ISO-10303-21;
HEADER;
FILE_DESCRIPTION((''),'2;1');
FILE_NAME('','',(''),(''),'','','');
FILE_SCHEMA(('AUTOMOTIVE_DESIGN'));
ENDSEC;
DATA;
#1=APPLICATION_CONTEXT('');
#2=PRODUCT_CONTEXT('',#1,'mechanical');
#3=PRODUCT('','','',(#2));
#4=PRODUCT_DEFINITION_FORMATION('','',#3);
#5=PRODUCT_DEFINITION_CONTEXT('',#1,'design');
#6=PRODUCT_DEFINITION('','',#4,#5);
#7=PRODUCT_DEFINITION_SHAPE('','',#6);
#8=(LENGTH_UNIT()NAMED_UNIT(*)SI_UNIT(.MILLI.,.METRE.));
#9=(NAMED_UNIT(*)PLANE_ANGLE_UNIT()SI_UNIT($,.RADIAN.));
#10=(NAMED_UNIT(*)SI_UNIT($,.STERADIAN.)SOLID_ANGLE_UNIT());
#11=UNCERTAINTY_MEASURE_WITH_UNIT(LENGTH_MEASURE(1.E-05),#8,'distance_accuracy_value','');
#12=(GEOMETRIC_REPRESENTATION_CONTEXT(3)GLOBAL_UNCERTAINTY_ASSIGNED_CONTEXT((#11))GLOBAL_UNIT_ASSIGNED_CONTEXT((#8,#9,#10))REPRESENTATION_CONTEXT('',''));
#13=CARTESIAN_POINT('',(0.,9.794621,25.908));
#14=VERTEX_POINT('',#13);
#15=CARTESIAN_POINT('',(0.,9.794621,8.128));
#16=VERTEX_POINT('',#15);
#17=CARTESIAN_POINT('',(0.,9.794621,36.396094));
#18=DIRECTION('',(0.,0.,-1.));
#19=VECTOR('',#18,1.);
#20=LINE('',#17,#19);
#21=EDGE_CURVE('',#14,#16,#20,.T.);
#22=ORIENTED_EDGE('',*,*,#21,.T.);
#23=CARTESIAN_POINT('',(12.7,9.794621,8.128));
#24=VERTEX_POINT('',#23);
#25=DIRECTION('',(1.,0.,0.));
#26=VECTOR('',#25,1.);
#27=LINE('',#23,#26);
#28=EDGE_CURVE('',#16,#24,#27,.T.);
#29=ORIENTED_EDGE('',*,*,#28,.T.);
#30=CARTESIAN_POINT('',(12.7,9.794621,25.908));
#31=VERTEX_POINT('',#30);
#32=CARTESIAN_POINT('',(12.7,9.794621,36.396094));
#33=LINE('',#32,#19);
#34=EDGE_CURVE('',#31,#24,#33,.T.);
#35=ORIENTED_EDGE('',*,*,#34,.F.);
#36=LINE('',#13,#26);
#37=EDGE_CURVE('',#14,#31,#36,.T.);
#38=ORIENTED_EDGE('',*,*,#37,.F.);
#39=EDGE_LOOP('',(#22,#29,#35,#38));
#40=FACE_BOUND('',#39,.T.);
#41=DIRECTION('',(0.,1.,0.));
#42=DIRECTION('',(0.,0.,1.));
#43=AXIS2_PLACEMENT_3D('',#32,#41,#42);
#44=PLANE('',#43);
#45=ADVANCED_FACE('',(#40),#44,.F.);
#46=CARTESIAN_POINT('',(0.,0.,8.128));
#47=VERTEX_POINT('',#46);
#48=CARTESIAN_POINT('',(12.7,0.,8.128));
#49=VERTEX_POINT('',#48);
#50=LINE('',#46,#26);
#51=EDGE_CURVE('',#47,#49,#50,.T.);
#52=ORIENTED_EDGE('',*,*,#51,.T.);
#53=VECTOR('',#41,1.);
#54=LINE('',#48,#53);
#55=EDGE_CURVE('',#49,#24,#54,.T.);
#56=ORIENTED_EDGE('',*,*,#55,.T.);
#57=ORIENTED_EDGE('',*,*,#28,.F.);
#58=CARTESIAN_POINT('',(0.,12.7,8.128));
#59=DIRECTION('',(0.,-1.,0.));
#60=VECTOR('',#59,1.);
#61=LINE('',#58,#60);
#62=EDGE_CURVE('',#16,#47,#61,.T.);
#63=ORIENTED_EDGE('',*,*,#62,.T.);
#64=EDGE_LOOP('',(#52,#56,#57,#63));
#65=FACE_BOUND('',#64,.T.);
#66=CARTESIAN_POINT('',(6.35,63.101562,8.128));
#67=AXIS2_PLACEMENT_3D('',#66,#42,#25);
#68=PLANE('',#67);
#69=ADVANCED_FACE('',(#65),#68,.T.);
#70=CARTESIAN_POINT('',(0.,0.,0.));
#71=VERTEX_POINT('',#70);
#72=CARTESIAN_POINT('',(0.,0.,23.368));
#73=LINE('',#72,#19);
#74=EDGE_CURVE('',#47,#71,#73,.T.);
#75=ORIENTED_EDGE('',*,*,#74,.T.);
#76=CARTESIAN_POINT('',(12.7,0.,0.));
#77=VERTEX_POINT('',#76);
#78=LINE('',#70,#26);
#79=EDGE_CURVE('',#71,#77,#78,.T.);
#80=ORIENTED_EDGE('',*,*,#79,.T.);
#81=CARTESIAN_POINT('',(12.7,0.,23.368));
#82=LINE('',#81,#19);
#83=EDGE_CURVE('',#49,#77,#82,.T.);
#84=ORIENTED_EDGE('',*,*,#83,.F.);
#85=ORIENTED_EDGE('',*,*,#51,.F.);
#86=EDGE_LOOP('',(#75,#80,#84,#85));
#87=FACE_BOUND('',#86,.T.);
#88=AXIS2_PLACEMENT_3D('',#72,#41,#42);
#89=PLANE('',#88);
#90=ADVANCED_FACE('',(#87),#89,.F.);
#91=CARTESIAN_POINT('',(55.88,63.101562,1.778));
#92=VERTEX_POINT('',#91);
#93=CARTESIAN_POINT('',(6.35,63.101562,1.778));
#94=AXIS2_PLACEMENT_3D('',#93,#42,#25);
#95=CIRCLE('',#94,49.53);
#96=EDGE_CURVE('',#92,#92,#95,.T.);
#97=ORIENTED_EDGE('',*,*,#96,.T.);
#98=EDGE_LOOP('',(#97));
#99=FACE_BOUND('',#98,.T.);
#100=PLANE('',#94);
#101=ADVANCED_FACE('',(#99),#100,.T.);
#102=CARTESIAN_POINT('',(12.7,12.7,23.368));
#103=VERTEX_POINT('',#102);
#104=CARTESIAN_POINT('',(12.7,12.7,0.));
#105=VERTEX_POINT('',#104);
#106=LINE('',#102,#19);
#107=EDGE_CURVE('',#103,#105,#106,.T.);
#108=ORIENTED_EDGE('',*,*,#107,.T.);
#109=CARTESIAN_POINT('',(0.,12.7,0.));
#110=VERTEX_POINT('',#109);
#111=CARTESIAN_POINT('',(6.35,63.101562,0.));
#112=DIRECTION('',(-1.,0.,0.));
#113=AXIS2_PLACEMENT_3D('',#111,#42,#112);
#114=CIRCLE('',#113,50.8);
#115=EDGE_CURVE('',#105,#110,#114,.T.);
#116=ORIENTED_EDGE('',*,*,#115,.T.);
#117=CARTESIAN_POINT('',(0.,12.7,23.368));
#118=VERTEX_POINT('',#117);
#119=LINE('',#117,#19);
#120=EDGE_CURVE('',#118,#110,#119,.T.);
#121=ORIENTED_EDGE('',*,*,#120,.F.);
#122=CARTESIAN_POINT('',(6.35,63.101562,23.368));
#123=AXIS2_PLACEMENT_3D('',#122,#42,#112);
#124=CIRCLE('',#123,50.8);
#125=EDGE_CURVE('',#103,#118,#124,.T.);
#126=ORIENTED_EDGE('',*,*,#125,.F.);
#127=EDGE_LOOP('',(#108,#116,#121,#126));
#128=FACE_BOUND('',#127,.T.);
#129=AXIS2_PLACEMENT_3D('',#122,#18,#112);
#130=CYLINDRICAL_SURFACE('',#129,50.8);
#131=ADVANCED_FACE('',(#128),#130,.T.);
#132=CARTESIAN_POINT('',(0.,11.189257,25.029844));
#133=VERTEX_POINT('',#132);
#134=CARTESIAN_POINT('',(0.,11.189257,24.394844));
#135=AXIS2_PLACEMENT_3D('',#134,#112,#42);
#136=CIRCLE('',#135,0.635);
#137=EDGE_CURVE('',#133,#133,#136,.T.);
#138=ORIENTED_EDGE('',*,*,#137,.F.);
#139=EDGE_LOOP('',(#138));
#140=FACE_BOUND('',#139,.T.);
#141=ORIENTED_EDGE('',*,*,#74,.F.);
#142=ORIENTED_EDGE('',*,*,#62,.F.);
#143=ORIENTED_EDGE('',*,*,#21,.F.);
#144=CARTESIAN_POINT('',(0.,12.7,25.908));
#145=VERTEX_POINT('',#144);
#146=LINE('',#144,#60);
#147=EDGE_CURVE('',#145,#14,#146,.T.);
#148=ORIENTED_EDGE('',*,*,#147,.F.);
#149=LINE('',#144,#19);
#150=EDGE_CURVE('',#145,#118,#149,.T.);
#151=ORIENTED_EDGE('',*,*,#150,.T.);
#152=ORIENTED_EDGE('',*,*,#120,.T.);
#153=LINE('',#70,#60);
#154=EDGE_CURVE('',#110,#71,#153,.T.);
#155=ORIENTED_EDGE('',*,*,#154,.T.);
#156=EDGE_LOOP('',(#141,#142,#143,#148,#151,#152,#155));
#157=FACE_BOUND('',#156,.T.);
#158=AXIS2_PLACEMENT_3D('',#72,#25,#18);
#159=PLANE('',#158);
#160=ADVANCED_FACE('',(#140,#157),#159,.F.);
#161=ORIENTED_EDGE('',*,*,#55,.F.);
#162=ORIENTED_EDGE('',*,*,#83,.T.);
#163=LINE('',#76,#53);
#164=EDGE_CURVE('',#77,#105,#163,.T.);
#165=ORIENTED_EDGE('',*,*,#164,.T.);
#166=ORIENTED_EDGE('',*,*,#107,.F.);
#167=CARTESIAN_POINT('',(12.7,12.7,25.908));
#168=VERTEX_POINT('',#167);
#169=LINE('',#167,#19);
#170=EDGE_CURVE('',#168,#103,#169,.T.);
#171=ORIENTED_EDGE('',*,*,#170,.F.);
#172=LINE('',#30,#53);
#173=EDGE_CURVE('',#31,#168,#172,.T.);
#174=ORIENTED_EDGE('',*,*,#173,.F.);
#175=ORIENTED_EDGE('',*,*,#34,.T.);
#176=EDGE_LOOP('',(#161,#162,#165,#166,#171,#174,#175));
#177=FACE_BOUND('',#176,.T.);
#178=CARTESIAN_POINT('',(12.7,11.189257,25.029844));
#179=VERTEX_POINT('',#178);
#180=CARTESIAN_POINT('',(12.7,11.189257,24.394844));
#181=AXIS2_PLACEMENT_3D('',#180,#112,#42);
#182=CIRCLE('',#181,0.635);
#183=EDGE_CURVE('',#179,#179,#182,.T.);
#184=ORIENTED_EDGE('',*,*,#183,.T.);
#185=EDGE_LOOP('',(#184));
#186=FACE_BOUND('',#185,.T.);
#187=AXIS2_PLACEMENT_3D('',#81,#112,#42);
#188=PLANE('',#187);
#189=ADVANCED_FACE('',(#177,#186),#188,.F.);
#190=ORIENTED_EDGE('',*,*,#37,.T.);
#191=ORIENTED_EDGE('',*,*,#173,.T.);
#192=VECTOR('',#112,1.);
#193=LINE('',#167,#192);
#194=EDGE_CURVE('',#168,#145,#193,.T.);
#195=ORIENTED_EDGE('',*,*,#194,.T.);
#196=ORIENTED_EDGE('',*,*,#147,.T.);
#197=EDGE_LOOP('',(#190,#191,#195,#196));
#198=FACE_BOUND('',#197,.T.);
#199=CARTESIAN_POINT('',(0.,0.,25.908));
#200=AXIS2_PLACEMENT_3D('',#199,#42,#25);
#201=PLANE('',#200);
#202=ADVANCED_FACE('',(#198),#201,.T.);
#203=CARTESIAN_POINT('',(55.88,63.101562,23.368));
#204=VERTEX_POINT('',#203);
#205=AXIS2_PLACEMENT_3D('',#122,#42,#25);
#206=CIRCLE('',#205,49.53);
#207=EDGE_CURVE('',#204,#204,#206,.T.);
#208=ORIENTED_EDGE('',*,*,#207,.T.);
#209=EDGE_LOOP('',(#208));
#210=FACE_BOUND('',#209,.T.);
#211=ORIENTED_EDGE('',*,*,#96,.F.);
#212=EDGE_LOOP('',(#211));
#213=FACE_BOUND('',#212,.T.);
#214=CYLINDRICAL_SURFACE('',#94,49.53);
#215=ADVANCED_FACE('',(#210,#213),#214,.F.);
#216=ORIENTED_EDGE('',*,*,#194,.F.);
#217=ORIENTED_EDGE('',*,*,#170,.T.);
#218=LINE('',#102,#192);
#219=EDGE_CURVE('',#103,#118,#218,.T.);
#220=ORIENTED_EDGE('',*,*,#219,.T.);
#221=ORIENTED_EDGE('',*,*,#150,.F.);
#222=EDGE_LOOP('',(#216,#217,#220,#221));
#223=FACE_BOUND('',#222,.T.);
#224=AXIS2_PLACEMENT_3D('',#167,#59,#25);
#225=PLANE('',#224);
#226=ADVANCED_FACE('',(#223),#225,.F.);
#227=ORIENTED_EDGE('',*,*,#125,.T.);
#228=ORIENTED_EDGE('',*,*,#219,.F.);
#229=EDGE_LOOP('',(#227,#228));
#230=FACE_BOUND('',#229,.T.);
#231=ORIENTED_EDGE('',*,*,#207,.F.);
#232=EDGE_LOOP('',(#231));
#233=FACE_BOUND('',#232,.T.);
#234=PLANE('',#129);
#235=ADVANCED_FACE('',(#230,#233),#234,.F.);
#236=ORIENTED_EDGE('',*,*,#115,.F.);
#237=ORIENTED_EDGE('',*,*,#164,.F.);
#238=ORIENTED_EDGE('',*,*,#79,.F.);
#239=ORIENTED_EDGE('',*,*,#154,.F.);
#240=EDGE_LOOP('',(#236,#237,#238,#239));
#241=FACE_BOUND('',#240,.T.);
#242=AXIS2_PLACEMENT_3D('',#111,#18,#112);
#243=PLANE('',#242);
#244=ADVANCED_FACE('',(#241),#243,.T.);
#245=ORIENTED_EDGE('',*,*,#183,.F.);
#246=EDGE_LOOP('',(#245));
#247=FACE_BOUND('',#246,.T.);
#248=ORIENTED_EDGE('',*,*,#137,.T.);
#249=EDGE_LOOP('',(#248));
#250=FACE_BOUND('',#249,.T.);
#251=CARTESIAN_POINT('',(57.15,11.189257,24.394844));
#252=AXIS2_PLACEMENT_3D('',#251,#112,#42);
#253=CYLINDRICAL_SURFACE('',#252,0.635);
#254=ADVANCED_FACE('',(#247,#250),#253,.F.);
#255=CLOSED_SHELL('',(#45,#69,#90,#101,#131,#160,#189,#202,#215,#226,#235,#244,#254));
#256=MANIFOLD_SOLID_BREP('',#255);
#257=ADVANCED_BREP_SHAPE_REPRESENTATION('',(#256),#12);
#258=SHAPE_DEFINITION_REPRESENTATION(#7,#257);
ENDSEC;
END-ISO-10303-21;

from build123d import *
from build123d.topology import SkipClean

# Parameters (mm, degrees)
BOSS_EXTRUDE1_DEPTH = 23.368
SKETCH4_R           = 49.53
CUT_EXTRUDE1_DEPTH  = 21.59
CUT_EXTRUDE2_START  = -15.24
CUT_EXTRUDE2_DEPTH  = 15.24
BOSS_EXTRUDE2_DEPTH = 15.24
SKETCH8_W           = 12.7
SKETCH8_H           = 2.905378661
BOSS_EXTRUDE3_DEPTH = 2.54
SKETCH9_R           = 0.635
CUT_EXTRUDE4_DEPTH  = 131.041965913


with BuildPart() as part:
    # Sketch1 → Boss-Extrude1 (new body)
    with BuildSketch(Plane.XY):
        with BuildLine():
            Line((0, 0), (12.7, 0))
            Line((12.7, 0), (12.7, 12.7))
            ThreePointArc((12.7, 12.7), (6.35, 113.901562476), (0, 12.7))
            Line((0, 12.7), (0, 0))
        make_face()
    extrude(amount=BOSS_EXTRUDE1_DEPTH)

    # Sketch4 → Cut-Extrude1 (cut)
    with BuildSketch(Plane.XY.offset(23.368)):
        with Locations((6.35, 63.101562476)):
            Circle(SKETCH4_R)
    extrude(amount=-CUT_EXTRUDE1_DEPTH, mode=Mode.SUBTRACT)

    # Sketch5 → Cut-Extrude2 (cut)
    with SkipClean():  # the faces are left unmerged after this step: merging them gives an invalid solid
        with BuildSketch(Plane.XY.offset(23.368).offset(CUT_EXTRUDE2_START)):
            with BuildLine():
                Line((0, 0), (12.7, 0))
                Line((12.7, 0), (12.7, 12.7))
                ThreePointArc((12.7, 12.7), (6.35, 12.301562476), (0, 12.7))
                Line((0, 12.7), (0, 0))
            make_face()
        extrude(amount=CUT_EXTRUDE2_DEPTH, mode=Mode.SUBTRACT)

    # Sketch6 → Boss-Extrude2 (add)
    with BuildSketch(Plane.XY.offset(8.128)):
        with BuildLine():
            Line((12.7, 9.794621339), (0, 9.794621339))
            Line((0, 9.794621339), (0, 12.7))
            ThreePointArc((0, 12.7), (6.35, 12.301562476), (12.7, 12.7))
            Line((12.7, 12.7), (12.7, 9.794621339))
        make_face()
    extrude(amount=BOSS_EXTRUDE2_DEPTH)

    # Sketch8 → Boss-Extrude3 (add)
    with BuildSketch(Plane.XY.offset(23.368)):
        with Locations((6.35, 11.24731067)):
            Rectangle(SKETCH8_W, SKETCH8_H)
    extrude(amount=BOSS_EXTRUDE3_DEPTH)

    # Sketch9 → Cut-Extrude4 (cut, through all)
    with BuildSketch(Plane.ZY):
        with Locations((24.394843598, 11.189256607)):
            Circle(SKETCH9_R)
    extrude(amount=-CUT_EXTRUDE4_DEPTH, mode=Mode.SUBTRACT)


solid = part.part
